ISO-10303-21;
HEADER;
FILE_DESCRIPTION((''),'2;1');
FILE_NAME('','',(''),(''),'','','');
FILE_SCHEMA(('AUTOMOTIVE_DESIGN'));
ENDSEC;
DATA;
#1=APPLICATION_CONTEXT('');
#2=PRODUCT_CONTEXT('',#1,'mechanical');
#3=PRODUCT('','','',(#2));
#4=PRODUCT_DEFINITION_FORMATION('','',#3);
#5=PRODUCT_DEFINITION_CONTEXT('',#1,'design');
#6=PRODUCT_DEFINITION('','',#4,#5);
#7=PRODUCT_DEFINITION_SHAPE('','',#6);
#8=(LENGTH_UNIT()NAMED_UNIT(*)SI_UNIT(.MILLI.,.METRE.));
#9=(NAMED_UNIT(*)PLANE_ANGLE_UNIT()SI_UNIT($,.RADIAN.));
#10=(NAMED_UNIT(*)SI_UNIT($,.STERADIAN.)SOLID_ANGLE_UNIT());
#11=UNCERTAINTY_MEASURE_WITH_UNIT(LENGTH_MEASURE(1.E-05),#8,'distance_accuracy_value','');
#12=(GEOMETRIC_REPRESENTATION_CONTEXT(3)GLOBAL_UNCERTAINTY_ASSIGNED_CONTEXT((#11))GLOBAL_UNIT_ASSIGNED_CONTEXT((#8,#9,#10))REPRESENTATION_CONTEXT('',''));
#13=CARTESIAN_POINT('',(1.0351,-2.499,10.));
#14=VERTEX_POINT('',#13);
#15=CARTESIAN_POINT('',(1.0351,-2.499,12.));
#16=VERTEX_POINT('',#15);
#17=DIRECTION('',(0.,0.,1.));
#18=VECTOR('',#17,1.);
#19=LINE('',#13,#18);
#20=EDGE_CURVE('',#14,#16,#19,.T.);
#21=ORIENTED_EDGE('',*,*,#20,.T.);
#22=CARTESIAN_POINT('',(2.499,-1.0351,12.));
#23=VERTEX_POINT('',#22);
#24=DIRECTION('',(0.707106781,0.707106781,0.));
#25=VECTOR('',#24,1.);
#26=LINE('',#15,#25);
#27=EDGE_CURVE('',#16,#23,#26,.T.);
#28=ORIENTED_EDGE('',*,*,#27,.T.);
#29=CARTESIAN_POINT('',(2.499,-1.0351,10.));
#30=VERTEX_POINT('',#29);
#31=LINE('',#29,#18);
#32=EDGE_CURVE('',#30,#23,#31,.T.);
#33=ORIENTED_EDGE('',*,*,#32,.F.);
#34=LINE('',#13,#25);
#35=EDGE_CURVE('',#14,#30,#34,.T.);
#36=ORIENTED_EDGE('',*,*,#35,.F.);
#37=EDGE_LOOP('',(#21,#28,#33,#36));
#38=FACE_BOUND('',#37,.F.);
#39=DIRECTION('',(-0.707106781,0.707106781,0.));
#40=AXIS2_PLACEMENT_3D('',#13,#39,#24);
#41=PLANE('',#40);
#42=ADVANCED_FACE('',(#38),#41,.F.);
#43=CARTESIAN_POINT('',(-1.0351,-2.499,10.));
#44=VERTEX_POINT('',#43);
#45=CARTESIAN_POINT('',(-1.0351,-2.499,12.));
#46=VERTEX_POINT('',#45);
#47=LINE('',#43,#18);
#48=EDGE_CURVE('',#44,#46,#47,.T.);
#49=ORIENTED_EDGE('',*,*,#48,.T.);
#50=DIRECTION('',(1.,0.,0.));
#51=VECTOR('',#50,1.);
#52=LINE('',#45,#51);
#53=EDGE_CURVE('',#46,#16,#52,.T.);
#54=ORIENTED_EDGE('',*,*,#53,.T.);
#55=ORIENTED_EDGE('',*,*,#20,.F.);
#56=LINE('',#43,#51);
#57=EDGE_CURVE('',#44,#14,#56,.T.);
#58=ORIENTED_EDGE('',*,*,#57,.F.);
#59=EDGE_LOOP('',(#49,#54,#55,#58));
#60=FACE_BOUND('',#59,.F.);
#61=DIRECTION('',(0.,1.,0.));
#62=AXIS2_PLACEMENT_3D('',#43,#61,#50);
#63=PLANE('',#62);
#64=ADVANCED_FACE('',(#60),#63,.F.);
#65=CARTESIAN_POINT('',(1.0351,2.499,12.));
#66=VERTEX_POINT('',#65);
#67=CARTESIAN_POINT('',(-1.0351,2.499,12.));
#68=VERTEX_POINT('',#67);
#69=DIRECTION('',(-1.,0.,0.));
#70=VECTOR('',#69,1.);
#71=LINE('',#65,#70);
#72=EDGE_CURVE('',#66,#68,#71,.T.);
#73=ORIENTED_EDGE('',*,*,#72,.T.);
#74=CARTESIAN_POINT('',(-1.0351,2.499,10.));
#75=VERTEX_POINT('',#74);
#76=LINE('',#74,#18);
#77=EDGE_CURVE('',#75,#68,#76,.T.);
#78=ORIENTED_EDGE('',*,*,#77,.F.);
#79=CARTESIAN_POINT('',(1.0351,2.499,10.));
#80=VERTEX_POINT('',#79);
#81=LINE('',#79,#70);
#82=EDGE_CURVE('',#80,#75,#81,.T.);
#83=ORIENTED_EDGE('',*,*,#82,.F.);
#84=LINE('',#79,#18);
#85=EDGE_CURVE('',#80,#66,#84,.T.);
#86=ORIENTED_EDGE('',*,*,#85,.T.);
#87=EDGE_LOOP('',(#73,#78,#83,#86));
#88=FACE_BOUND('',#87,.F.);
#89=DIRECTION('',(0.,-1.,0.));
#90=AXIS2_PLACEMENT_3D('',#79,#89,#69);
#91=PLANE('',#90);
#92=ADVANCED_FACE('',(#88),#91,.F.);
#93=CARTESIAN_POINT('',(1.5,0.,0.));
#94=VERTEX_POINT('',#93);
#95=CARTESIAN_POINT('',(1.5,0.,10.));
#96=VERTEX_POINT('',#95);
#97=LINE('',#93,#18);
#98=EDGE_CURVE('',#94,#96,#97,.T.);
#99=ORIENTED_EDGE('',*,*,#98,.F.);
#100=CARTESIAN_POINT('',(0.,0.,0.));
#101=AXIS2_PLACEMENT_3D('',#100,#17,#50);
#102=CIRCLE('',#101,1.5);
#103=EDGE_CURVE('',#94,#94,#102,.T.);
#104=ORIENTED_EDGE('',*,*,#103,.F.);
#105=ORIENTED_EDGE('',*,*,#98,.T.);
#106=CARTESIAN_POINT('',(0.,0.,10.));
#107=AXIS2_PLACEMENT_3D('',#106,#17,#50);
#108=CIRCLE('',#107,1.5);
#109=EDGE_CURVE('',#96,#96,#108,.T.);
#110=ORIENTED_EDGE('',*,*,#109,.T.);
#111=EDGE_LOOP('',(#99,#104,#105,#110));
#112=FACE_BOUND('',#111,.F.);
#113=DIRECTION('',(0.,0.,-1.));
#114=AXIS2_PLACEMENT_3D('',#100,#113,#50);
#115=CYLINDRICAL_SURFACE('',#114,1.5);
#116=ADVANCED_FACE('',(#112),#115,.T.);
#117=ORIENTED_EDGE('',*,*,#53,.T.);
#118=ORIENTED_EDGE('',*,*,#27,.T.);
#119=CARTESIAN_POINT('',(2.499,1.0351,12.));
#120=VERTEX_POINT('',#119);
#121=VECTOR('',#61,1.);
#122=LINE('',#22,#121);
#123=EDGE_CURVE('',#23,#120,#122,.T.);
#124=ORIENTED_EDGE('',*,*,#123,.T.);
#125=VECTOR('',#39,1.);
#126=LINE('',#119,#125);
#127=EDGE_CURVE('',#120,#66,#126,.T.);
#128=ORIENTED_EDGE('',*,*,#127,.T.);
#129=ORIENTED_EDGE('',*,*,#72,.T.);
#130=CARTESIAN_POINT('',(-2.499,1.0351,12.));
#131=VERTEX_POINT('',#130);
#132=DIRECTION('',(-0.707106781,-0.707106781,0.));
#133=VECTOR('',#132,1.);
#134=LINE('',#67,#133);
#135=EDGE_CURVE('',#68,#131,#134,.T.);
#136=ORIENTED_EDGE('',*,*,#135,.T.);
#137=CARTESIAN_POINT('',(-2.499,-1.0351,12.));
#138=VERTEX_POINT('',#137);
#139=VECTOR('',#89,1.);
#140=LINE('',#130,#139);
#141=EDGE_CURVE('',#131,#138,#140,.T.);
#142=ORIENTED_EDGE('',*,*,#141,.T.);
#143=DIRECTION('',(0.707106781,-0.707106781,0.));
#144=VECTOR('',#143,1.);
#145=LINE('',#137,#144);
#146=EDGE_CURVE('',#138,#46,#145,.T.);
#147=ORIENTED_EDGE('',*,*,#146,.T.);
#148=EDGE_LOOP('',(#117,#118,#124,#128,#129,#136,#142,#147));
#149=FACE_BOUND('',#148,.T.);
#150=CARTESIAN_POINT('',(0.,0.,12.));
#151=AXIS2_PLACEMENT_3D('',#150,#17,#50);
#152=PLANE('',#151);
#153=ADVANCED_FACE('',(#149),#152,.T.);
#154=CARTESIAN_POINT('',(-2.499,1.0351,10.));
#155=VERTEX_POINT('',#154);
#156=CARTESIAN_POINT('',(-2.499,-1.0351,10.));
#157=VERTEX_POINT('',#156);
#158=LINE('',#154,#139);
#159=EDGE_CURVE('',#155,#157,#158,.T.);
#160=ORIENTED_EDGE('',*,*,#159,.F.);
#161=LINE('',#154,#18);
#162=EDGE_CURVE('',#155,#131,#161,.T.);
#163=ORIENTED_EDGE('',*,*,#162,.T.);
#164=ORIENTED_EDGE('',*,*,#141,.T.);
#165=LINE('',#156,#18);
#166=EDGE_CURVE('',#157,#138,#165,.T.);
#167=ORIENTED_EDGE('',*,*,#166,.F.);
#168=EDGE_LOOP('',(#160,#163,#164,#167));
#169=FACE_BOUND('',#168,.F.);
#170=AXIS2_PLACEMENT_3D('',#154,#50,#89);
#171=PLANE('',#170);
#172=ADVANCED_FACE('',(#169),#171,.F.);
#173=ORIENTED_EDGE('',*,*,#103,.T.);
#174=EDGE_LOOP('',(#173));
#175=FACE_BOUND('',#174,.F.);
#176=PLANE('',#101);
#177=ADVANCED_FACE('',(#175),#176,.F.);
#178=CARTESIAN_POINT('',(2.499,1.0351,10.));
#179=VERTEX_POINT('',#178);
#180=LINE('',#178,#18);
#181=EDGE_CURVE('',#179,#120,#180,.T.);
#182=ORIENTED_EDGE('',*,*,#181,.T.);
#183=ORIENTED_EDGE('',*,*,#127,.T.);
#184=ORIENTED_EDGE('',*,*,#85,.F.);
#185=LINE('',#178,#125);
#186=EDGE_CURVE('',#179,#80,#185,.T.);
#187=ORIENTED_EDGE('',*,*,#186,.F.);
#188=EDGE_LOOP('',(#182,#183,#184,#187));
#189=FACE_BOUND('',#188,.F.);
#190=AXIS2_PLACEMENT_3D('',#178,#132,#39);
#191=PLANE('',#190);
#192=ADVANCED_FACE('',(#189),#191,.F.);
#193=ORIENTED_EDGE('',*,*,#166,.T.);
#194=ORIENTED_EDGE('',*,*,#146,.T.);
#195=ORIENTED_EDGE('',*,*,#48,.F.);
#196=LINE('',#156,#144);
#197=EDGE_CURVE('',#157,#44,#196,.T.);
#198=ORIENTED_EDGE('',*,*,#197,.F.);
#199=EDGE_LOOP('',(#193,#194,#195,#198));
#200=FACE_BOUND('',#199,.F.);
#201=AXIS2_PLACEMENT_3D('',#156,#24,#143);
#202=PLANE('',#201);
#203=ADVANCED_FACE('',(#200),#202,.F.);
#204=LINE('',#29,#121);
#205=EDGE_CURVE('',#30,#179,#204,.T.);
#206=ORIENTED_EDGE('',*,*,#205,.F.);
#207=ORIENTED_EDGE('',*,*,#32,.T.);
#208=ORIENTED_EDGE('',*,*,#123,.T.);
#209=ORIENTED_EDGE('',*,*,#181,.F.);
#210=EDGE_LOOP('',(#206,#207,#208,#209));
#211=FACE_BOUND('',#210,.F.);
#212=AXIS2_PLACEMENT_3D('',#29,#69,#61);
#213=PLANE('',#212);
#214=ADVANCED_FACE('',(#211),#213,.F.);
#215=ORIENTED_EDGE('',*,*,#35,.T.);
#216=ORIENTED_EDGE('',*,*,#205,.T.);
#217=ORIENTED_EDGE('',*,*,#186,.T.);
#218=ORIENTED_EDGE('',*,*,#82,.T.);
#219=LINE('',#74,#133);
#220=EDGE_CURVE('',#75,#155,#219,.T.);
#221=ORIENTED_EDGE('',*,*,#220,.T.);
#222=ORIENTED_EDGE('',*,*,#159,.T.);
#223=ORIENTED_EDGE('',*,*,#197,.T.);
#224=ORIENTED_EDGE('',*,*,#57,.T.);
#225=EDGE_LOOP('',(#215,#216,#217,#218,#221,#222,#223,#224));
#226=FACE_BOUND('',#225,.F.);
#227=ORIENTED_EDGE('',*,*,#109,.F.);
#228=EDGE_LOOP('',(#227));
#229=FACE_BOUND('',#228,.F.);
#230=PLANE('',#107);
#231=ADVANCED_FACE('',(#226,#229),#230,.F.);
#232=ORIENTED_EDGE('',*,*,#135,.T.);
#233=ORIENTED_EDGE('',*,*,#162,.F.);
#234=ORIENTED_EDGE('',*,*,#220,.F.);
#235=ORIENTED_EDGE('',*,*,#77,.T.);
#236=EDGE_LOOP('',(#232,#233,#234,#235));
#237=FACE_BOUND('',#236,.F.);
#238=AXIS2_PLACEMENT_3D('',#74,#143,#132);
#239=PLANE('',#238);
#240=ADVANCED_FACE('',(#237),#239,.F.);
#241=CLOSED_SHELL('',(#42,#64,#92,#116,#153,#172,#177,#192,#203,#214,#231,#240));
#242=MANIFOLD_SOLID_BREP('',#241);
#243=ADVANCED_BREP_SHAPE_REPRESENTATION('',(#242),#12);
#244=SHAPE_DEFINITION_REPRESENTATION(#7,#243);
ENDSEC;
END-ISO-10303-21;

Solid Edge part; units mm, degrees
sketch "Sketch1" plane through (0, 0, 0) normal (0, 0, 1) x (1, 0, 0)
  circle A0 centre (0, 0) radius 1.5
extrude "Protrusion1" add sketch "Sketch1" along normal blind 10
sketch "Sketch2" plane through (0, 0, 10) normal (0, 0, 1) x (1, 0, 0)
  line L0 (-1.0351, 2.499) -> (-2.499, 1.0351)
  line L1 (-2.499, 1.0351) -> (-2.499, -1.0351)
  line L2 (-2.499, -1.0351) -> (-1.0351, -2.499)
  line L3 (-1.0351, -2.499) -> (1.0351, -2.499)
  line L4 (1.0351, -2.499) -> (2.499, -1.0351)
  line L5 (2.499, -1.0351) -> (2.499, 1.0351)
  line L6 (2.499, 1.0351) -> (1.0351, 2.499)
  line L7 (1.0351, 2.499) -> (-1.0351, 2.499)
extrude "ExtrudedProtrusion_2" add sketch "Sketch2" along normal blind 2
cosmetic_thread "Thread1" size "M3"
properties material "Steel"
